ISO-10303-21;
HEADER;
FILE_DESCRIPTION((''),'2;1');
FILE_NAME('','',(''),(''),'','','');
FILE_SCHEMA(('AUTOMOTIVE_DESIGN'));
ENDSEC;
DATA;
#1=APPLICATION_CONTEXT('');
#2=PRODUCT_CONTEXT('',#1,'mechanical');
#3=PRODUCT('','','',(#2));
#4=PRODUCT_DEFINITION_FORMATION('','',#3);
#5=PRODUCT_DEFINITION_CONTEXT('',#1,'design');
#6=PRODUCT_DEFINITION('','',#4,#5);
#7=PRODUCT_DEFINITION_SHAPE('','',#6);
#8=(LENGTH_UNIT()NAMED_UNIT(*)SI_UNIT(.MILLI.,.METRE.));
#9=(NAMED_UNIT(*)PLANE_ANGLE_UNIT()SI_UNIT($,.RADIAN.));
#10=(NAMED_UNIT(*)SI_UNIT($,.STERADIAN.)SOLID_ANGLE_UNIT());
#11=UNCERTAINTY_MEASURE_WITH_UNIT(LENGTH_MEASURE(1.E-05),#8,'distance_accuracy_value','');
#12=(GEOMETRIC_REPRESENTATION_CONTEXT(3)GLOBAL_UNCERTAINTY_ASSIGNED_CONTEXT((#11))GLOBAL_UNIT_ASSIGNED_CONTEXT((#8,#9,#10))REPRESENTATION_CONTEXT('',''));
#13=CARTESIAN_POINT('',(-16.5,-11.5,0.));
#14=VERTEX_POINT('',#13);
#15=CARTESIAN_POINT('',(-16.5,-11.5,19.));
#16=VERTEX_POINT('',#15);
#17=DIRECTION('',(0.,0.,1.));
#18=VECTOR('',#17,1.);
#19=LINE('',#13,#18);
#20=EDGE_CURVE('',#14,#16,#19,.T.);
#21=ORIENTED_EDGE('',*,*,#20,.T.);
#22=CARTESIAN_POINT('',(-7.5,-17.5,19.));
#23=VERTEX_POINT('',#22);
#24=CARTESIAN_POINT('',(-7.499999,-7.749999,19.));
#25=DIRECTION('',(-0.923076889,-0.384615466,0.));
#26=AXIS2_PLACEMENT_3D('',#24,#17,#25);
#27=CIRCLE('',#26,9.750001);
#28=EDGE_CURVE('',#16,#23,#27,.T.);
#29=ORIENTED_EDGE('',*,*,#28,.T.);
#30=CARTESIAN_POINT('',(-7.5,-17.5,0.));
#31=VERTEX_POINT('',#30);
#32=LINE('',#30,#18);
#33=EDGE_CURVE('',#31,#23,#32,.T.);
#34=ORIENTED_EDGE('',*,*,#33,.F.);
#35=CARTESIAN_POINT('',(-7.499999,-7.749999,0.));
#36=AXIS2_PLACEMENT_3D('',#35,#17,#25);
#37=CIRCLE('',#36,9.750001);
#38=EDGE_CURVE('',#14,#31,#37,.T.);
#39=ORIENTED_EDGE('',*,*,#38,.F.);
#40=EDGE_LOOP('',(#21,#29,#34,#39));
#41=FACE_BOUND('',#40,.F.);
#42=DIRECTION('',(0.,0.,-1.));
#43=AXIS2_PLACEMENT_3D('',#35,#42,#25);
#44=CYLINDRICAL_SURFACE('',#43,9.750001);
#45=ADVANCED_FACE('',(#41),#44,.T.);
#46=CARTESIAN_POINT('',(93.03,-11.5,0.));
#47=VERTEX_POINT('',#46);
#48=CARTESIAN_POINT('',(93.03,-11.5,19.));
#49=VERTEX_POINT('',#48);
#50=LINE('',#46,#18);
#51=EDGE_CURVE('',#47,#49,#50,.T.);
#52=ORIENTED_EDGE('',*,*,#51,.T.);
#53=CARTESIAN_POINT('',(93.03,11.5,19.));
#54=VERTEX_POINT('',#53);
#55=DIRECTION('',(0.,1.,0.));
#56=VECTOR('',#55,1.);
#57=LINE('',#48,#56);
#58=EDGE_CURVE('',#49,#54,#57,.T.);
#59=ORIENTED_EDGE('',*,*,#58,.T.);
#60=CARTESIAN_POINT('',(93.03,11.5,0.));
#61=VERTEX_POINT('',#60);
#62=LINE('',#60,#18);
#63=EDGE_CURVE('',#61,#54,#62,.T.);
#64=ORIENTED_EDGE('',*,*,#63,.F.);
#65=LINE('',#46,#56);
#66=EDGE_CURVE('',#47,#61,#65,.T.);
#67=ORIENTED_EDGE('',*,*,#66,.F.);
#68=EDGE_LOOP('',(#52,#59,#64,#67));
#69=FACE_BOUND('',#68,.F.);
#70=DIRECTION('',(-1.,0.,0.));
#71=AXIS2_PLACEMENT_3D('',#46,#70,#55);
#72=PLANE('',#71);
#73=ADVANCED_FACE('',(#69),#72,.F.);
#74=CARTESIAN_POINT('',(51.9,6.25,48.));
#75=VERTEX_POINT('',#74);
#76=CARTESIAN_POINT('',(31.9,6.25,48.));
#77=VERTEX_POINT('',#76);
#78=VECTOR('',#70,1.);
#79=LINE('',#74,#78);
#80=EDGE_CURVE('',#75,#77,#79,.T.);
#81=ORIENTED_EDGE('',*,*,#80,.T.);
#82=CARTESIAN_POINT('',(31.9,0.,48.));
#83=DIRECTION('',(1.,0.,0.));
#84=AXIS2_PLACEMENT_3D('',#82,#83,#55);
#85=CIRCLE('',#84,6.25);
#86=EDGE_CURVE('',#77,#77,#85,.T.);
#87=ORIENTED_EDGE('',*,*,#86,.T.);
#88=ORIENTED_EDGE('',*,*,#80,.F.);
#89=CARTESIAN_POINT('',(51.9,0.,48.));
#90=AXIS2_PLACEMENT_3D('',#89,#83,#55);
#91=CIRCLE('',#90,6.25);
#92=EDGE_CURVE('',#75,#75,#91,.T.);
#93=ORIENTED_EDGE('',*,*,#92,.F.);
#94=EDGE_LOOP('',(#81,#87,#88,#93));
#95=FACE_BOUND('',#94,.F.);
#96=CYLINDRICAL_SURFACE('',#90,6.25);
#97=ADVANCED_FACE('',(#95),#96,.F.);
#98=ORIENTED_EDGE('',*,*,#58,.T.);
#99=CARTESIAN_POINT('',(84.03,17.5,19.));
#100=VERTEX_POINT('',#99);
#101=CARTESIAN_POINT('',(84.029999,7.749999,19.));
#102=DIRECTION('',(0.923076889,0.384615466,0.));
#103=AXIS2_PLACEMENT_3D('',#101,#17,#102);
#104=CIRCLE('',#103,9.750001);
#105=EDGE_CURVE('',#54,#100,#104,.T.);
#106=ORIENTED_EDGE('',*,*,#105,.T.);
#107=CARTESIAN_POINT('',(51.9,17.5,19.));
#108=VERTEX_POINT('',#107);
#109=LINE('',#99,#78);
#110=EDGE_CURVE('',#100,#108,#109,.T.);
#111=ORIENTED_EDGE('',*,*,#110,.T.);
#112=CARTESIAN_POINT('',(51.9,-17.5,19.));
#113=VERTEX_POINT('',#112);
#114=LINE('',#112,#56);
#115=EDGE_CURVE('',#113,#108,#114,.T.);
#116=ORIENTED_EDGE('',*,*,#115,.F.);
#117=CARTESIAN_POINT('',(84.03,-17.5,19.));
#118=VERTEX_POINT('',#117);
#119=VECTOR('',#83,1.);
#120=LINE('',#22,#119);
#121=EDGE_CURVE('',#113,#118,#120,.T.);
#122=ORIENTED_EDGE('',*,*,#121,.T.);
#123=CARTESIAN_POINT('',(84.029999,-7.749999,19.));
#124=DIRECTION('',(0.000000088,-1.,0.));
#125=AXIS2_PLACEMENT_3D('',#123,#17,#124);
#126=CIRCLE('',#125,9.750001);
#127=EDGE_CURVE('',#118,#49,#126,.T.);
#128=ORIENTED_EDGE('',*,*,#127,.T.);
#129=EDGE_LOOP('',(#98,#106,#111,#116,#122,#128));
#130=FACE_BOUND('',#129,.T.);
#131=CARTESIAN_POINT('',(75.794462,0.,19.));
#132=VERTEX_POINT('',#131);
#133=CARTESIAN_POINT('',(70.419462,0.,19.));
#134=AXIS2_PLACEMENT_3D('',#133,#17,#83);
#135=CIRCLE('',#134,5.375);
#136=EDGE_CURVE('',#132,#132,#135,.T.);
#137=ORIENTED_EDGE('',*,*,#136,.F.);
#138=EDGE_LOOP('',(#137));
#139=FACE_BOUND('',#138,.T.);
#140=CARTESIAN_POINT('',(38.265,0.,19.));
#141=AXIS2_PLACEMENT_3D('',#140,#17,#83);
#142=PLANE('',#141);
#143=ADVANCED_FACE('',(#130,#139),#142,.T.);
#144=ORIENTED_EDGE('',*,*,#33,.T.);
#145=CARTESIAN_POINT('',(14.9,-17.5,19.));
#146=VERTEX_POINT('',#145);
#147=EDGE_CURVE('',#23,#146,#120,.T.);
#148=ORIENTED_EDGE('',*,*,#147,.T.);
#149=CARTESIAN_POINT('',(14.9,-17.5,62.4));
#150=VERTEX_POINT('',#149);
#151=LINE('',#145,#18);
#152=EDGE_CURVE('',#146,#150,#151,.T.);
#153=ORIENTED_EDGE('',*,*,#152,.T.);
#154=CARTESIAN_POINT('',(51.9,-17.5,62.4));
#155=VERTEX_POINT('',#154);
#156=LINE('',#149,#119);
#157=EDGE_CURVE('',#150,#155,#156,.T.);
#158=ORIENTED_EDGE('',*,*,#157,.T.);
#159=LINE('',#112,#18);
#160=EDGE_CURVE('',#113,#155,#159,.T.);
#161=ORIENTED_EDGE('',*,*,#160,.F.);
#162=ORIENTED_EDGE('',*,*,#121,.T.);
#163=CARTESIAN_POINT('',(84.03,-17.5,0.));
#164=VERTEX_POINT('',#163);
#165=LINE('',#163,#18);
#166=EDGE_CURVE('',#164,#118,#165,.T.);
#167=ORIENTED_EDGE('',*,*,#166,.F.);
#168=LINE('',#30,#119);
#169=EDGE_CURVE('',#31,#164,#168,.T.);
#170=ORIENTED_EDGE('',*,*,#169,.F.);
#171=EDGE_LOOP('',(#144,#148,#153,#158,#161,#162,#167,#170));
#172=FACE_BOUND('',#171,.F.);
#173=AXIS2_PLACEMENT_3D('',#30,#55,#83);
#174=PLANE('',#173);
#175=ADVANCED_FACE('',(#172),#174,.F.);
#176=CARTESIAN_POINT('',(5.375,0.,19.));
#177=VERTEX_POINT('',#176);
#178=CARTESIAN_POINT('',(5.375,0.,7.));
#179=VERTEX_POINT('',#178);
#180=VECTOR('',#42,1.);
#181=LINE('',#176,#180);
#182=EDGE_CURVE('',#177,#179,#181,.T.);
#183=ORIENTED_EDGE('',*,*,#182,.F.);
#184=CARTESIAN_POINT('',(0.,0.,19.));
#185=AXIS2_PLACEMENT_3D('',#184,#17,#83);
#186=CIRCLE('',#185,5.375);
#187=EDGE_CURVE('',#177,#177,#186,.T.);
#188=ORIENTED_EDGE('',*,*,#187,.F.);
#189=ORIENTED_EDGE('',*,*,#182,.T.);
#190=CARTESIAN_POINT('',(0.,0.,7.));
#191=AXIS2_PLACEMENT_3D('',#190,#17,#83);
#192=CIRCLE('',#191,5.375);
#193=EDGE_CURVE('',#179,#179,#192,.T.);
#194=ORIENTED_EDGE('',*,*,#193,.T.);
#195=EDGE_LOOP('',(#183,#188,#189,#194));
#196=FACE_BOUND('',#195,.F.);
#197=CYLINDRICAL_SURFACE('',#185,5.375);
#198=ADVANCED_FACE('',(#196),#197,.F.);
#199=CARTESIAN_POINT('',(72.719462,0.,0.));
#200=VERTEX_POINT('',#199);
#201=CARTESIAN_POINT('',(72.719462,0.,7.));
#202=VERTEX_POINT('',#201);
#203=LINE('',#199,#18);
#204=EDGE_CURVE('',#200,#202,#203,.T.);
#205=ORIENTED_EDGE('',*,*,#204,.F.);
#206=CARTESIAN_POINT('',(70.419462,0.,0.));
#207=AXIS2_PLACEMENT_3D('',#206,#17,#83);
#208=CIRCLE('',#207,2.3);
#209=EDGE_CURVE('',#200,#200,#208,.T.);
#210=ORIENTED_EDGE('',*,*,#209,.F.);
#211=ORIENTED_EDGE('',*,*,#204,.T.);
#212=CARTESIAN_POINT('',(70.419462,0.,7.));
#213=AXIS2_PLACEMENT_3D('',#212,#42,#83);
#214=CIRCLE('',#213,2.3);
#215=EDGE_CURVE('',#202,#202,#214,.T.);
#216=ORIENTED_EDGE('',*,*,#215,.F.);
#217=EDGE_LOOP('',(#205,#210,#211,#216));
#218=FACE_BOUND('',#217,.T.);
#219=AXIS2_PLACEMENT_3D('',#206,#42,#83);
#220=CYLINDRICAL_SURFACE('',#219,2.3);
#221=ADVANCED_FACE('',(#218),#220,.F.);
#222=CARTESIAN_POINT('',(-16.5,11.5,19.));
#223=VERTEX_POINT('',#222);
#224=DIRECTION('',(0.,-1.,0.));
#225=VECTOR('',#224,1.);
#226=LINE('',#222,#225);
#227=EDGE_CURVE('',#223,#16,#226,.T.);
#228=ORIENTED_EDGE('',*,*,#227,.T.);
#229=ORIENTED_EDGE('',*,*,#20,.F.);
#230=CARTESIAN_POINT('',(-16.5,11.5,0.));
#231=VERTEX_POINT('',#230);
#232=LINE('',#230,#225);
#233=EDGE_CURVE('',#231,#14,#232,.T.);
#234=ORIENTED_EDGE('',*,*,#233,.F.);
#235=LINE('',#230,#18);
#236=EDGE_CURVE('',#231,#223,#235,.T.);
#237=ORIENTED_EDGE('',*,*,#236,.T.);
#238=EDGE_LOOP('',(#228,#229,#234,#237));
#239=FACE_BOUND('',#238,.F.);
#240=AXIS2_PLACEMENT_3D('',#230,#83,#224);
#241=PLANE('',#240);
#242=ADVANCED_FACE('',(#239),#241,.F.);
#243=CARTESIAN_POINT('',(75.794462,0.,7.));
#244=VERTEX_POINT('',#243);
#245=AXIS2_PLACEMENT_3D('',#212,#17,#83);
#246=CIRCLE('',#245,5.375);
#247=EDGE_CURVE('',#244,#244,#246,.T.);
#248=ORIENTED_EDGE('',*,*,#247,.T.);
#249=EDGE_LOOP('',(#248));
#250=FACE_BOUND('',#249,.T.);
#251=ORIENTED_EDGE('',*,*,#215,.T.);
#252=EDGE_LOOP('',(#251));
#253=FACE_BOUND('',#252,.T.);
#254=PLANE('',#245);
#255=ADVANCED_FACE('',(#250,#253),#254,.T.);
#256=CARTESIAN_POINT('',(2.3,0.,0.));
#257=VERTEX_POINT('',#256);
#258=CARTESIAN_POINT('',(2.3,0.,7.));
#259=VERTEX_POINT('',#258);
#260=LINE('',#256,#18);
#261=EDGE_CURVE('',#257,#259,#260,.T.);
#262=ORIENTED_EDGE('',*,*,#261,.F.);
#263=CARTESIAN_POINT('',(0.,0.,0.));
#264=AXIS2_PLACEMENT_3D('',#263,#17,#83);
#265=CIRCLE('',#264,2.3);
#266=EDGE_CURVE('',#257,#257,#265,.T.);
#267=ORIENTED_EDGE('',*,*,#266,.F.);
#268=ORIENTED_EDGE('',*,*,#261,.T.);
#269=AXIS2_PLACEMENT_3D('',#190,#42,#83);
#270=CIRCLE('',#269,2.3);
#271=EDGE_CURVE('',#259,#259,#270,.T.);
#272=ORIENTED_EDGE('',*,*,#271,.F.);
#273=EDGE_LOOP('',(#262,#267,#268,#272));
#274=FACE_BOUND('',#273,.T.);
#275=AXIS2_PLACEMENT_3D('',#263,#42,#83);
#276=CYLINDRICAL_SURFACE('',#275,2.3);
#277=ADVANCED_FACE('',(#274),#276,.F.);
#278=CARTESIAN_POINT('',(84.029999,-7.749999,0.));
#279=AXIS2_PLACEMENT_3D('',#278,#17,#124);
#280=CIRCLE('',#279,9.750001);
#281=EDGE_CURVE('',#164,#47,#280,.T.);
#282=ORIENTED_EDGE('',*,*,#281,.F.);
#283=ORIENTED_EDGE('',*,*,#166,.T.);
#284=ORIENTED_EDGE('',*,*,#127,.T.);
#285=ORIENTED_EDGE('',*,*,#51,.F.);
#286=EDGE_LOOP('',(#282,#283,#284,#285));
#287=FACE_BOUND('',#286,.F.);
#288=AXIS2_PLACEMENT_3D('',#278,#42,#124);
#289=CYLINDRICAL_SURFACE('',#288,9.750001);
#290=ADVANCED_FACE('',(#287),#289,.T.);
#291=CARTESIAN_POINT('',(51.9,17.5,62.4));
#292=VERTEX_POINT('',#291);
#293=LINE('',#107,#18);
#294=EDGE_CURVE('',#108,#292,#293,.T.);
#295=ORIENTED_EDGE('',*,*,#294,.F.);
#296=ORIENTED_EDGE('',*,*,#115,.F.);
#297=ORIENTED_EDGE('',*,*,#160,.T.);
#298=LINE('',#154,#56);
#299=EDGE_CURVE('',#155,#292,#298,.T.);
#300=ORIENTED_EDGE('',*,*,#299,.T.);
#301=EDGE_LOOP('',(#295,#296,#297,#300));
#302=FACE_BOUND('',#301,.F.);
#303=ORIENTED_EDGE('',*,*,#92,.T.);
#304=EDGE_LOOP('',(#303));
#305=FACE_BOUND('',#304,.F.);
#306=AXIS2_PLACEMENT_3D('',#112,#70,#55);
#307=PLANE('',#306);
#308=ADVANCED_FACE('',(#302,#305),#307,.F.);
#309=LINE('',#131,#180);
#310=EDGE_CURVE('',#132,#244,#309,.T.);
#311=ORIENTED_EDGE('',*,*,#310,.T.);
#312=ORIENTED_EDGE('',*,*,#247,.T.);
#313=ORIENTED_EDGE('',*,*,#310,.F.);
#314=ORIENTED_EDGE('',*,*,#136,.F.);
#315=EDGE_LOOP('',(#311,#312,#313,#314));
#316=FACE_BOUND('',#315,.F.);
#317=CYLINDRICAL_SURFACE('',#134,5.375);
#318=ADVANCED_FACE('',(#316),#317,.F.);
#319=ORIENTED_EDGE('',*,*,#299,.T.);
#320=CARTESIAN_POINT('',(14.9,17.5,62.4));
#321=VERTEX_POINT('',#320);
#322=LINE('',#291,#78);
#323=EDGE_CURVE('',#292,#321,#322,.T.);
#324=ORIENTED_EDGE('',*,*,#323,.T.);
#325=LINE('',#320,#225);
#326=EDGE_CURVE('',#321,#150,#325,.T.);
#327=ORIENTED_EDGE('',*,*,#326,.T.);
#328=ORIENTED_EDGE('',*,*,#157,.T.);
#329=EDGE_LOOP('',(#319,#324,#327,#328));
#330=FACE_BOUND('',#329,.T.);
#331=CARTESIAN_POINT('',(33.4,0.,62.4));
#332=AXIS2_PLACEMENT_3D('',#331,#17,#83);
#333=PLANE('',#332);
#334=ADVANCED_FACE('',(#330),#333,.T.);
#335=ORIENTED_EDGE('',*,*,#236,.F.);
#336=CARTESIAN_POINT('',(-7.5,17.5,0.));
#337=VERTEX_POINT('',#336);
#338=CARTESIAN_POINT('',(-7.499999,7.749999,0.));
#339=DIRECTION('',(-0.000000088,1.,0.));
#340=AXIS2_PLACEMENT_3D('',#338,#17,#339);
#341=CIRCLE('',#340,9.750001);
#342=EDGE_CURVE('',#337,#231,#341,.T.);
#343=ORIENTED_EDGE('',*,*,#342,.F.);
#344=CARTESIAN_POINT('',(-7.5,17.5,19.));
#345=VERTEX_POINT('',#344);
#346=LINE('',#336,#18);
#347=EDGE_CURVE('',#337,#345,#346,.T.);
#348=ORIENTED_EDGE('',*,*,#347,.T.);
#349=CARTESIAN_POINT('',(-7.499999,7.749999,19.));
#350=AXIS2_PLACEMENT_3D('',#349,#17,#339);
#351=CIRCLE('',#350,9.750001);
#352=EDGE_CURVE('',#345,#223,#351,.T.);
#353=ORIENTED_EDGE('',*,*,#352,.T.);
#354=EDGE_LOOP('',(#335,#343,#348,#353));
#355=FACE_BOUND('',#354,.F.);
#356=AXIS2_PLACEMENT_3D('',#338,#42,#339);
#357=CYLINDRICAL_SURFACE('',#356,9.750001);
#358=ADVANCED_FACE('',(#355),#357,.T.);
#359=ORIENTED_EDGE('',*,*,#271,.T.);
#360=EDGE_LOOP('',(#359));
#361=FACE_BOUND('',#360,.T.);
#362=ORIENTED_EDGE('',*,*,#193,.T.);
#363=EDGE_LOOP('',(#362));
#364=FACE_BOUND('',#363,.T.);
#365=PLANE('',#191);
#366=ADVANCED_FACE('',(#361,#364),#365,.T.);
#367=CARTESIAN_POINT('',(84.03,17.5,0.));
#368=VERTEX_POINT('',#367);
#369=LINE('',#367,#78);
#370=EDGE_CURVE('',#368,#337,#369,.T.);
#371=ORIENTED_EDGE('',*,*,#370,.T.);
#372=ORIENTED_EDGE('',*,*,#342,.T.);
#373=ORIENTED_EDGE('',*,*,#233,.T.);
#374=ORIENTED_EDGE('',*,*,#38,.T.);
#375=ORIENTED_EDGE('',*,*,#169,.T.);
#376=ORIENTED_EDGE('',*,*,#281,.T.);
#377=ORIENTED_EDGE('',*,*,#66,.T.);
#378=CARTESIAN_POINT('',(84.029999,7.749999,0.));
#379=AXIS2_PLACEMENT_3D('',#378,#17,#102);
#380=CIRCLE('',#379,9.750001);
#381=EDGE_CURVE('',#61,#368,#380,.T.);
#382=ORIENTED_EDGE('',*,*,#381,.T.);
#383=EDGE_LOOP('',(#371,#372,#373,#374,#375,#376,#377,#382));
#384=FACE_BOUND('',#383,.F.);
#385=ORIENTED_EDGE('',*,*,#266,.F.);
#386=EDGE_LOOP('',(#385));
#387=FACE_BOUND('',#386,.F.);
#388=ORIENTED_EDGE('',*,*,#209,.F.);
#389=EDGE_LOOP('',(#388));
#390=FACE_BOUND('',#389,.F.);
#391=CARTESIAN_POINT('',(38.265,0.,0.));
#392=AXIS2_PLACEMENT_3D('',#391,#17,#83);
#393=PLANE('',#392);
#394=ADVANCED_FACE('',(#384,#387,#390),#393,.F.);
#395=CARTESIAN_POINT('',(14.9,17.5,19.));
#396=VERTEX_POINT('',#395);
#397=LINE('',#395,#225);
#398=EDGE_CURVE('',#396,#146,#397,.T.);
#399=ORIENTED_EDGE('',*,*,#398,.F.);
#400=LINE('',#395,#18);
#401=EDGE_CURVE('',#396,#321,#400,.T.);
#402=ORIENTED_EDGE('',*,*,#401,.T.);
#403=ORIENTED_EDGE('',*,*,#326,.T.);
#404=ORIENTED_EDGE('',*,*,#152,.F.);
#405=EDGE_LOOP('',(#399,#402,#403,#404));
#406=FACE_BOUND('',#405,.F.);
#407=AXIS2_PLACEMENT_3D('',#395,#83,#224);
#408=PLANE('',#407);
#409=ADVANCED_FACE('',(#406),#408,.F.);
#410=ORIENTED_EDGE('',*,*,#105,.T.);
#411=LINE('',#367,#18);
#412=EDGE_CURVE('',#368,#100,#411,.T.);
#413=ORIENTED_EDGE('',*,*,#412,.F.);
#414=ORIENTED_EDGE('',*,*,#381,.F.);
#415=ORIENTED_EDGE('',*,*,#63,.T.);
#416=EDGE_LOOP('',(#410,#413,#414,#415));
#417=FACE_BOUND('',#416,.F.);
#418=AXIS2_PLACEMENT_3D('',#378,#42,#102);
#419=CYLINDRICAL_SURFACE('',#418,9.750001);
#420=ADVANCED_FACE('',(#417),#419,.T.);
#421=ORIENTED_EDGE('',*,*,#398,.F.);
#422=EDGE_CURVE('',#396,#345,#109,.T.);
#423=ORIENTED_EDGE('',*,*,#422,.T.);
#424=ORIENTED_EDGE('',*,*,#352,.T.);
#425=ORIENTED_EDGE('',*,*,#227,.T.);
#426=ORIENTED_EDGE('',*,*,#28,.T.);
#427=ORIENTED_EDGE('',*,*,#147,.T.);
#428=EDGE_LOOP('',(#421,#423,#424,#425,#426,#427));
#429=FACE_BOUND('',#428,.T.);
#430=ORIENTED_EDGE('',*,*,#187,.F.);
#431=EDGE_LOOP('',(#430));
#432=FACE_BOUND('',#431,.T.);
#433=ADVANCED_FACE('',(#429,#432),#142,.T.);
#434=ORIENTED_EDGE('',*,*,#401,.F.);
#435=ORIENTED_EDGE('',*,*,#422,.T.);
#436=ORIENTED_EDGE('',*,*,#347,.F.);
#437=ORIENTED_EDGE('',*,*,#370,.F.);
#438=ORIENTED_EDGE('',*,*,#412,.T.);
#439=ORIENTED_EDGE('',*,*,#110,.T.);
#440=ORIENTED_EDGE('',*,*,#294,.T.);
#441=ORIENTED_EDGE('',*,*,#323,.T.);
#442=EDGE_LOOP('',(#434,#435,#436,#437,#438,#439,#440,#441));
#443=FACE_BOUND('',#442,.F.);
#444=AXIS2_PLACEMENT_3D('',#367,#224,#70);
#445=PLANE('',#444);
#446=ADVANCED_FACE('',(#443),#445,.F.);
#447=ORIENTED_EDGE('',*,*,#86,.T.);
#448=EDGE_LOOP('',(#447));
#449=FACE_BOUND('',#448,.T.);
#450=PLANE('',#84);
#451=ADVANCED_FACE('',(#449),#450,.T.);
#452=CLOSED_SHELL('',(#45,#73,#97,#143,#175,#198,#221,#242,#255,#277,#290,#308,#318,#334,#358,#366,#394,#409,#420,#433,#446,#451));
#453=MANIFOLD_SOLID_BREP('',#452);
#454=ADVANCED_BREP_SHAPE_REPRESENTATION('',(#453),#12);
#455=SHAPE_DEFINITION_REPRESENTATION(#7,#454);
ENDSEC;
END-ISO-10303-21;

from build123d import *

# Parameters (mm, degrees)
F0_R     = 2.3
F1_DEPTH = 19
F3_DEPTH = 43.4
F5_R     = 6.25
F6_DEPTH = 20
F7_R     = 5.375
F8_DEPTH = 12


with BuildPart() as f1:
    # F0 (on Top) → F1 (new body)
    with BuildSketch(Plane.XY):
        with BuildLine():
            Line((84.03, 17.5), (-7.5, 17.5))
            ThreePointArc((-7.5, 17.5), (-12.908327, 15.86249), (-16.5, 11.5))
            Line((-16.5, 11.5), (-16.5, -11.5))
            ThreePointArc((-16.5, -11.5), (-12.908327, -15.86249), (-7.5, -17.5))
            Line((-7.5, -17.5), (84.03, -17.5))
            ThreePointArc((84.03, -17.5), (89.438327, -15.86249), (93.03, -11.5))
            Line((93.03, -11.5), (93.03, 11.5))
            ThreePointArc((93.03, 11.5), (89.438327, 15.86249), (84.03, 17.5))
        make_face()
        Circle(F0_R, mode=Mode.SUBTRACT)
        with Locations((70.419462, 0)):
            Circle(F0_R, mode=Mode.SUBTRACT)
    extrude(amount=F1_DEPTH)

    # F2 (on face) → F3 (join)
    with BuildSketch(Plane.XY.offset(19)):
        Polygon((14.9, 17.5), (14.9, 0), (14.9, -17.5), (51.9, -17.5), (51.9, 0), (51.9, 17.5), align=None)
    extrude(amount=F3_DEPTH)

    # F5 (on face) → F6 (cut)
    with BuildSketch(Plane.YZ.offset(51.9)):
        with Locations((0, 48)):
            Circle(F5_R)
    extrude(amount=-F6_DEPTH, mode=Mode.SUBTRACT)

    # F7 (on face) → F8 (cut)
    with BuildSketch(Plane.XY.offset(19)):
        Circle(F7_R)
        with Locations((70.419462, 0)):
            Circle(F7_R)
    extrude(amount=-F8_DEPTH, mode=Mode.SUBTRACT)


solid = f1.part
